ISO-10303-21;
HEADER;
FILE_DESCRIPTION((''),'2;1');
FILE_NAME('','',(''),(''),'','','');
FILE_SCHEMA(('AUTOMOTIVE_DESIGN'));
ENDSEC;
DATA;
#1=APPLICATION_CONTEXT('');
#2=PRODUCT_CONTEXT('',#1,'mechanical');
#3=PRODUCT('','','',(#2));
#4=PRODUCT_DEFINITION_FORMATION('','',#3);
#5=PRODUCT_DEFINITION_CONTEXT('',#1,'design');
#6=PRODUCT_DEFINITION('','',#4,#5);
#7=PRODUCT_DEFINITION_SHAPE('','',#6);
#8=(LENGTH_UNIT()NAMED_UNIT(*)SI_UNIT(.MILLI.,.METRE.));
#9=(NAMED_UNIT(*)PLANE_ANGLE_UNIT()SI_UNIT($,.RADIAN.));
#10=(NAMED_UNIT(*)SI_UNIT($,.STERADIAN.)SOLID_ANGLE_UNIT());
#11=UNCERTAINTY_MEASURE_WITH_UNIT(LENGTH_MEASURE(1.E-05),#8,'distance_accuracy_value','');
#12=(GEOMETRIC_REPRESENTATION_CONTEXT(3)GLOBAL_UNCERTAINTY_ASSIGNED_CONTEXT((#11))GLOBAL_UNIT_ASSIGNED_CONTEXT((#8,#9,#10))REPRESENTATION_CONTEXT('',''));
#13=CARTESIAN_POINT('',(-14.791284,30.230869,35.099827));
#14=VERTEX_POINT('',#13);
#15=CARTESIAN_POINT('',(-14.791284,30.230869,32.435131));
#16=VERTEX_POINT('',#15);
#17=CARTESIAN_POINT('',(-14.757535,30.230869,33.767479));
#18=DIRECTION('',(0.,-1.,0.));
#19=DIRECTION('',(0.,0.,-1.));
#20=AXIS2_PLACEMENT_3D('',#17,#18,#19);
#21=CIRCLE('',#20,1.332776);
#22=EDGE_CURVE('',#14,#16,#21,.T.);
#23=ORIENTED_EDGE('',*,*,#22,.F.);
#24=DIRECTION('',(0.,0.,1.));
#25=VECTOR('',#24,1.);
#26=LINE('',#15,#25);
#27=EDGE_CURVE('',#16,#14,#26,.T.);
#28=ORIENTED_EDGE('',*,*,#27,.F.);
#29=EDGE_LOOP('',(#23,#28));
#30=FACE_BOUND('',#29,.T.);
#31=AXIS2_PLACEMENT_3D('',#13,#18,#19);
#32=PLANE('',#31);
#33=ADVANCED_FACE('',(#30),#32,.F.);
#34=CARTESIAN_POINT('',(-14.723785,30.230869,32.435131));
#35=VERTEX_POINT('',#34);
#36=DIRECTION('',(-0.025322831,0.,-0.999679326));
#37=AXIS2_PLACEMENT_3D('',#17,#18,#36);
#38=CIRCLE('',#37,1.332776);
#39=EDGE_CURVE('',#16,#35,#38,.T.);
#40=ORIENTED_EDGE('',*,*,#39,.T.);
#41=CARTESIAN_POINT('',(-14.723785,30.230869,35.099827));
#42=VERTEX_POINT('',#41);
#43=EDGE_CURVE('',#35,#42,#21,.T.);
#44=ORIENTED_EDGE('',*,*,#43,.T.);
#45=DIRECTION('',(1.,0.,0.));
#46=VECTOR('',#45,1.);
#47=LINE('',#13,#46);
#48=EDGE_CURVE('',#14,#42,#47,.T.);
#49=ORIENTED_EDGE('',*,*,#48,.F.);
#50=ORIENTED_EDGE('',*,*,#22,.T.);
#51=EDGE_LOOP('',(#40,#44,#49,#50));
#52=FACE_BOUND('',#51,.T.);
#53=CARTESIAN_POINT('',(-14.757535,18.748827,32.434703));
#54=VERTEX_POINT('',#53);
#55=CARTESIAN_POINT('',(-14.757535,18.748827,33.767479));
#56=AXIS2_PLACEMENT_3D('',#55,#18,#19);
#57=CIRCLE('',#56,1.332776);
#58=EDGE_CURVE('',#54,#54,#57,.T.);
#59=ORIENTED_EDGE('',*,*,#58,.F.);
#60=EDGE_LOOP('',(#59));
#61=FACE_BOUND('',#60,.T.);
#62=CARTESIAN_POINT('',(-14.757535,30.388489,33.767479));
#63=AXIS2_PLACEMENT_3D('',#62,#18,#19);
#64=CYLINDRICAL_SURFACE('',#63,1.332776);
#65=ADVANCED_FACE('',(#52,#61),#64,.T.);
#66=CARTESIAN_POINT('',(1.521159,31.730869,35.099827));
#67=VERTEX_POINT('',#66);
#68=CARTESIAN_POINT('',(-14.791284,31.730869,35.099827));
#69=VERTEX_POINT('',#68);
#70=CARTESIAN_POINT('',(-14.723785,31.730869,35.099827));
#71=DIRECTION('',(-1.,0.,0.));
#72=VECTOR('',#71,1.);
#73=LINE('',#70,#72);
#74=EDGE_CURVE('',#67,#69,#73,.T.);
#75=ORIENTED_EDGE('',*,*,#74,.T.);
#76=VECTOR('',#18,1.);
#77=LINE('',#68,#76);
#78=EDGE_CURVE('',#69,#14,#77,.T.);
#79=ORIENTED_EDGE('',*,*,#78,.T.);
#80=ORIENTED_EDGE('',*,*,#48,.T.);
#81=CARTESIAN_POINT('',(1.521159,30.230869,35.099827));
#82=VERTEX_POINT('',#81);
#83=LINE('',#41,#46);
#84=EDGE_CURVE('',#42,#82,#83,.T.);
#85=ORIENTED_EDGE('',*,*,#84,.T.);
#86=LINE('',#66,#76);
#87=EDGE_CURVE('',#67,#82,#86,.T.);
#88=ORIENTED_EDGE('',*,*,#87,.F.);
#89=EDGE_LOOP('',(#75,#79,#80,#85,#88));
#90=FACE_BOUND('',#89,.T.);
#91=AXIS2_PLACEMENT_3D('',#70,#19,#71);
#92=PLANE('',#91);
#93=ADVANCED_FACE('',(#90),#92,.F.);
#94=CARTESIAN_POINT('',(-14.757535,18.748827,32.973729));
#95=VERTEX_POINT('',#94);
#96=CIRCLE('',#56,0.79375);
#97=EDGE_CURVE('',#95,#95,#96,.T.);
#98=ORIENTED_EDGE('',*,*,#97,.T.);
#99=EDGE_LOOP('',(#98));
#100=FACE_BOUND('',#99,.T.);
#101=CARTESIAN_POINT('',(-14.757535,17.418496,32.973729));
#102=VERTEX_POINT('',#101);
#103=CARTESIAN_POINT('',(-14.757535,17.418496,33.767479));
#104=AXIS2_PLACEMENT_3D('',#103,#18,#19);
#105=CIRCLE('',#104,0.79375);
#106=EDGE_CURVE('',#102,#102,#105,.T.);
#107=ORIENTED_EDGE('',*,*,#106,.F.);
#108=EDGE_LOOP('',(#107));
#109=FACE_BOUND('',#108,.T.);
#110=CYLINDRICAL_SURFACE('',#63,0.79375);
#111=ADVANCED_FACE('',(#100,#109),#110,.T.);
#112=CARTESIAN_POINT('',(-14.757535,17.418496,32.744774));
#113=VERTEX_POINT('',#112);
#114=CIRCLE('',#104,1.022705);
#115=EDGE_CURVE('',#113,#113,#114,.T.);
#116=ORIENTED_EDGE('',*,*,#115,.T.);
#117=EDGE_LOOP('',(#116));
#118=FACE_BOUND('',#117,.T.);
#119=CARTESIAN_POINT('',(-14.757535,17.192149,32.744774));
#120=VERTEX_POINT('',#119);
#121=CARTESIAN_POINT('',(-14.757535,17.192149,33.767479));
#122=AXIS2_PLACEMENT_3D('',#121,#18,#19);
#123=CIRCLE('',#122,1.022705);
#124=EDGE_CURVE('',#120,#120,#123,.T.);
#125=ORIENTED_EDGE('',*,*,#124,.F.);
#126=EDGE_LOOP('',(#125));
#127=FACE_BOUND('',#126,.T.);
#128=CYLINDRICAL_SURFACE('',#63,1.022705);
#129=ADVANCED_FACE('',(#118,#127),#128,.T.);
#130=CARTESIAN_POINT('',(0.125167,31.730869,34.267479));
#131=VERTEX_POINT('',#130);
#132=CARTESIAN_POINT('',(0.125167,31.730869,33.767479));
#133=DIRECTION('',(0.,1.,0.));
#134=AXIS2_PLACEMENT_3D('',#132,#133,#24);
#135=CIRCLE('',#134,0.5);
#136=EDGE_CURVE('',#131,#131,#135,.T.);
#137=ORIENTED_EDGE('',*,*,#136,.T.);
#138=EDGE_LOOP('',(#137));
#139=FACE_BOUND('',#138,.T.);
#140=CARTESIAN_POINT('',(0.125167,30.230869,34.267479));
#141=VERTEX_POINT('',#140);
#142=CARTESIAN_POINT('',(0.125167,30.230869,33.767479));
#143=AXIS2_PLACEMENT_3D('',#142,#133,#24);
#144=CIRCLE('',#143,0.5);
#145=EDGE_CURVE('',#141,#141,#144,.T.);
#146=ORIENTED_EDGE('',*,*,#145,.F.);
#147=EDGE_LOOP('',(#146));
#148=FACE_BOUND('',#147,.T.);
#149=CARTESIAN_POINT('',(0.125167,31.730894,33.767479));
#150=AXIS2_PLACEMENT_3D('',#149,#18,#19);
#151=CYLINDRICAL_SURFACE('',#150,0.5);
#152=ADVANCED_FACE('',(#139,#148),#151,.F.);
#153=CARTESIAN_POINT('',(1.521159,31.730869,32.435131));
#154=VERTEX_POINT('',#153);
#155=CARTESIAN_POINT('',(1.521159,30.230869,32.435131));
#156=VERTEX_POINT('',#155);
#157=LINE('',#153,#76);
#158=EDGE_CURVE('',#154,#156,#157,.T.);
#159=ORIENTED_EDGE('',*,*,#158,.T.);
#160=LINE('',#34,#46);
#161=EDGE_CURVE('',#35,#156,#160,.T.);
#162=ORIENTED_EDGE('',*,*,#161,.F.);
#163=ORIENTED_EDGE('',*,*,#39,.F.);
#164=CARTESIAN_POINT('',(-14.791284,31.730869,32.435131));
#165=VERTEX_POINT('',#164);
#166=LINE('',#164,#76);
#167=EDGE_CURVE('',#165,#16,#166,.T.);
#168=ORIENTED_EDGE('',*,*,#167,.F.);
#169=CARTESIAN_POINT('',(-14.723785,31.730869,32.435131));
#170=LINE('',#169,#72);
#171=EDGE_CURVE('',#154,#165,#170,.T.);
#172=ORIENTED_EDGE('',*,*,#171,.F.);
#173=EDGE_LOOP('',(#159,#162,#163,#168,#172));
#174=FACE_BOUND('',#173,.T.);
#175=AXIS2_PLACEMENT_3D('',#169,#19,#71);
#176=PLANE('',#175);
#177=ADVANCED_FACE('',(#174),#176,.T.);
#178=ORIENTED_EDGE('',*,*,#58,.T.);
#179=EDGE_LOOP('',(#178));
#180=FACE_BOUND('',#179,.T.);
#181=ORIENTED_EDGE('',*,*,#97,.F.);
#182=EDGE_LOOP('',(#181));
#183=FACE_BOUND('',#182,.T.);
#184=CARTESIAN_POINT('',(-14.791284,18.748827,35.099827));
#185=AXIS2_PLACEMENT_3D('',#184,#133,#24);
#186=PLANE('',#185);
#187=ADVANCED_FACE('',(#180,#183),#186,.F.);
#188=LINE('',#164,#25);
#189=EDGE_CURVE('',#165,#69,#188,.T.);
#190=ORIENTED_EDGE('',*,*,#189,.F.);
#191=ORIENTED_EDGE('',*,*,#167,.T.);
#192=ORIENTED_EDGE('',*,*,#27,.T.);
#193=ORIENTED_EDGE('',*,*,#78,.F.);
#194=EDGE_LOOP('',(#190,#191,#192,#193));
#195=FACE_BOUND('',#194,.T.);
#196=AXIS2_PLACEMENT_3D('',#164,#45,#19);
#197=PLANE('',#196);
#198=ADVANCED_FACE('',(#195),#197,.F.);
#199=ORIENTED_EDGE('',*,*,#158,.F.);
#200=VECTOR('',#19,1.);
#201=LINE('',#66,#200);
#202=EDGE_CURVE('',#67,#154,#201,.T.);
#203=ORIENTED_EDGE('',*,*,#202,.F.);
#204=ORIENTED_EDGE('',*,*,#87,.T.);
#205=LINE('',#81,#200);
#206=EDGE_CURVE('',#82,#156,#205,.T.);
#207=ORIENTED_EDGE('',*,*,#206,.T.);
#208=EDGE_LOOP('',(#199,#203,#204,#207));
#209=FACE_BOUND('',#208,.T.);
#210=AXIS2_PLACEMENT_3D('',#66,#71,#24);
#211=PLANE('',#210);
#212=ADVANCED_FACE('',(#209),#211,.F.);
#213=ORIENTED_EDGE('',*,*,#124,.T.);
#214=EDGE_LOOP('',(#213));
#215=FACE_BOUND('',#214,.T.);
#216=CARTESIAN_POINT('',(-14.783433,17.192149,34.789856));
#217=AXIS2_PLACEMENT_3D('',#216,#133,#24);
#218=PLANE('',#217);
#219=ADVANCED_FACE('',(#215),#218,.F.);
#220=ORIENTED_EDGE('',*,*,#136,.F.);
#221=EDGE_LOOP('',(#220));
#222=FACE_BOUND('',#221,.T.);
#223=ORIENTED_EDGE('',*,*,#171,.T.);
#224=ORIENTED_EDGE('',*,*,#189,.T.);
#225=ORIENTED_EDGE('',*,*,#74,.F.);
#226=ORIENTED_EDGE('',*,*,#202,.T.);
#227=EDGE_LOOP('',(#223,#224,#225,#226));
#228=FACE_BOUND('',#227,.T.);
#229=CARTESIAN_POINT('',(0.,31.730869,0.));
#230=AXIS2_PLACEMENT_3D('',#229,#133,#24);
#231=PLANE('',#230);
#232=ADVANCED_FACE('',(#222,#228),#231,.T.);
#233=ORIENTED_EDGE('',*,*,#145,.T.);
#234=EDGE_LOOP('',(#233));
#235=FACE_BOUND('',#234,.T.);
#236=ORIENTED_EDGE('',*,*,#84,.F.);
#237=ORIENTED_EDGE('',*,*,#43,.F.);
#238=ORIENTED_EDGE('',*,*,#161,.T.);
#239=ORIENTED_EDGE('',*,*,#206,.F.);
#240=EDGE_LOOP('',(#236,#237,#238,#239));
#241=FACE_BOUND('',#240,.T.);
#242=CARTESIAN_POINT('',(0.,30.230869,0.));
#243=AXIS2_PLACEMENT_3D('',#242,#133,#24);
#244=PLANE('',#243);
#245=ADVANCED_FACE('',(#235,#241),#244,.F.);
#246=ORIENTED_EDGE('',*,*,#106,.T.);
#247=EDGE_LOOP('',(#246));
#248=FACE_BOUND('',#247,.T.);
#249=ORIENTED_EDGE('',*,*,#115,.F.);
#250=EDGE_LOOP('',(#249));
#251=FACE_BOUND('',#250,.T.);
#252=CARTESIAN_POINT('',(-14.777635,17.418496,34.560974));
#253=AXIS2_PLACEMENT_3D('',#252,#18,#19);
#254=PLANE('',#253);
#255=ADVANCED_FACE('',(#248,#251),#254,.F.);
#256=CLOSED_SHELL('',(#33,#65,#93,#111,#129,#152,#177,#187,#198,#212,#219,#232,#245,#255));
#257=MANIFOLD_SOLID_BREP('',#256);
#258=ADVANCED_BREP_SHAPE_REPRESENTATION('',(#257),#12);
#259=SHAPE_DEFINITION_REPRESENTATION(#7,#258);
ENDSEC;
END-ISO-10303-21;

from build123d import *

# Parameters (mm, degrees)
BOSS_EXTRUDE1_DEPTH     = 1.5
CUT_EXTRUDE1_DEPTH      = 41.754559874
CUT_EXTRUDE1_DEPTH_BACK = 41.754559874
SKETCH6_R               = 0.5


with BuildPart() as part:
    # Sketch1 → Revolve1 (revolve)
    with BuildSketch(Plane(origin=(-14.777648988, 30.214835565, 34.561537757), x_dir=(-0.025322831104622072, 0, 0.9996793256964189), z_dir=(0.9996793256964189, 0, 0.025322831104622072)), mode=Mode.PRIVATE) as revolve1_sk:
        Polygon((0.538461916, -0.016033073), (-0.794313715, -0.016033073), (-0.794313715, 12.79633963), (-0.794313715, 13.022686392), (0.228391261, 13.022686392), (0.228391261, 12.79633963), (-0.000563715, 12.79633963), (-0.000563715, 11.466008099), (0.538461916, 11.466008099), align=None)
    revolve(revolve1_sk.sketch.rotate(Axis((-14.757534716, 30.388488917, 33.767478758), (0, 1, 0)), 181.451046455), axis=Axis((-14.757534716, 30.388488917, 33.767478758), (0, 1, 0)))

    # Sketch5 → Boss-Extrude1 (add)
    with BuildSketch(Plane(origin=(0, 30.230868638, 0), x_dir=(1, 0, 0), z_dir=(0, 1, 0))):
        Polygon((-14.723785064, -32.435130513), (-14.791284368, -32.435130513), (-14.791284368, -35.099827002), (-14.723785064, -35.099827002), (1.521158766, -35.099827002), (1.521158766, -32.435130513), align=None)
    extrude(amount=BOSS_EXTRUDE1_DEPTH)

    # Sketch6 → Cut-Extrude1 (cut, two sides: drawn at the far end of the back side and taken through both)
    with BuildSketch(Plane.XZ.offset(-30.230868638).offset(-CUT_EXTRUDE1_DEPTH_BACK)):
        with Locations(Location((0.125166735, 33.767478758, 0), (0, 0, 90))):
            Circle(SKETCH6_R)
    extrude(amount=CUT_EXTRUDE1_DEPTH + CUT_EXTRUDE1_DEPTH_BACK, mode=Mode.SUBTRACT)


solid = part.part
